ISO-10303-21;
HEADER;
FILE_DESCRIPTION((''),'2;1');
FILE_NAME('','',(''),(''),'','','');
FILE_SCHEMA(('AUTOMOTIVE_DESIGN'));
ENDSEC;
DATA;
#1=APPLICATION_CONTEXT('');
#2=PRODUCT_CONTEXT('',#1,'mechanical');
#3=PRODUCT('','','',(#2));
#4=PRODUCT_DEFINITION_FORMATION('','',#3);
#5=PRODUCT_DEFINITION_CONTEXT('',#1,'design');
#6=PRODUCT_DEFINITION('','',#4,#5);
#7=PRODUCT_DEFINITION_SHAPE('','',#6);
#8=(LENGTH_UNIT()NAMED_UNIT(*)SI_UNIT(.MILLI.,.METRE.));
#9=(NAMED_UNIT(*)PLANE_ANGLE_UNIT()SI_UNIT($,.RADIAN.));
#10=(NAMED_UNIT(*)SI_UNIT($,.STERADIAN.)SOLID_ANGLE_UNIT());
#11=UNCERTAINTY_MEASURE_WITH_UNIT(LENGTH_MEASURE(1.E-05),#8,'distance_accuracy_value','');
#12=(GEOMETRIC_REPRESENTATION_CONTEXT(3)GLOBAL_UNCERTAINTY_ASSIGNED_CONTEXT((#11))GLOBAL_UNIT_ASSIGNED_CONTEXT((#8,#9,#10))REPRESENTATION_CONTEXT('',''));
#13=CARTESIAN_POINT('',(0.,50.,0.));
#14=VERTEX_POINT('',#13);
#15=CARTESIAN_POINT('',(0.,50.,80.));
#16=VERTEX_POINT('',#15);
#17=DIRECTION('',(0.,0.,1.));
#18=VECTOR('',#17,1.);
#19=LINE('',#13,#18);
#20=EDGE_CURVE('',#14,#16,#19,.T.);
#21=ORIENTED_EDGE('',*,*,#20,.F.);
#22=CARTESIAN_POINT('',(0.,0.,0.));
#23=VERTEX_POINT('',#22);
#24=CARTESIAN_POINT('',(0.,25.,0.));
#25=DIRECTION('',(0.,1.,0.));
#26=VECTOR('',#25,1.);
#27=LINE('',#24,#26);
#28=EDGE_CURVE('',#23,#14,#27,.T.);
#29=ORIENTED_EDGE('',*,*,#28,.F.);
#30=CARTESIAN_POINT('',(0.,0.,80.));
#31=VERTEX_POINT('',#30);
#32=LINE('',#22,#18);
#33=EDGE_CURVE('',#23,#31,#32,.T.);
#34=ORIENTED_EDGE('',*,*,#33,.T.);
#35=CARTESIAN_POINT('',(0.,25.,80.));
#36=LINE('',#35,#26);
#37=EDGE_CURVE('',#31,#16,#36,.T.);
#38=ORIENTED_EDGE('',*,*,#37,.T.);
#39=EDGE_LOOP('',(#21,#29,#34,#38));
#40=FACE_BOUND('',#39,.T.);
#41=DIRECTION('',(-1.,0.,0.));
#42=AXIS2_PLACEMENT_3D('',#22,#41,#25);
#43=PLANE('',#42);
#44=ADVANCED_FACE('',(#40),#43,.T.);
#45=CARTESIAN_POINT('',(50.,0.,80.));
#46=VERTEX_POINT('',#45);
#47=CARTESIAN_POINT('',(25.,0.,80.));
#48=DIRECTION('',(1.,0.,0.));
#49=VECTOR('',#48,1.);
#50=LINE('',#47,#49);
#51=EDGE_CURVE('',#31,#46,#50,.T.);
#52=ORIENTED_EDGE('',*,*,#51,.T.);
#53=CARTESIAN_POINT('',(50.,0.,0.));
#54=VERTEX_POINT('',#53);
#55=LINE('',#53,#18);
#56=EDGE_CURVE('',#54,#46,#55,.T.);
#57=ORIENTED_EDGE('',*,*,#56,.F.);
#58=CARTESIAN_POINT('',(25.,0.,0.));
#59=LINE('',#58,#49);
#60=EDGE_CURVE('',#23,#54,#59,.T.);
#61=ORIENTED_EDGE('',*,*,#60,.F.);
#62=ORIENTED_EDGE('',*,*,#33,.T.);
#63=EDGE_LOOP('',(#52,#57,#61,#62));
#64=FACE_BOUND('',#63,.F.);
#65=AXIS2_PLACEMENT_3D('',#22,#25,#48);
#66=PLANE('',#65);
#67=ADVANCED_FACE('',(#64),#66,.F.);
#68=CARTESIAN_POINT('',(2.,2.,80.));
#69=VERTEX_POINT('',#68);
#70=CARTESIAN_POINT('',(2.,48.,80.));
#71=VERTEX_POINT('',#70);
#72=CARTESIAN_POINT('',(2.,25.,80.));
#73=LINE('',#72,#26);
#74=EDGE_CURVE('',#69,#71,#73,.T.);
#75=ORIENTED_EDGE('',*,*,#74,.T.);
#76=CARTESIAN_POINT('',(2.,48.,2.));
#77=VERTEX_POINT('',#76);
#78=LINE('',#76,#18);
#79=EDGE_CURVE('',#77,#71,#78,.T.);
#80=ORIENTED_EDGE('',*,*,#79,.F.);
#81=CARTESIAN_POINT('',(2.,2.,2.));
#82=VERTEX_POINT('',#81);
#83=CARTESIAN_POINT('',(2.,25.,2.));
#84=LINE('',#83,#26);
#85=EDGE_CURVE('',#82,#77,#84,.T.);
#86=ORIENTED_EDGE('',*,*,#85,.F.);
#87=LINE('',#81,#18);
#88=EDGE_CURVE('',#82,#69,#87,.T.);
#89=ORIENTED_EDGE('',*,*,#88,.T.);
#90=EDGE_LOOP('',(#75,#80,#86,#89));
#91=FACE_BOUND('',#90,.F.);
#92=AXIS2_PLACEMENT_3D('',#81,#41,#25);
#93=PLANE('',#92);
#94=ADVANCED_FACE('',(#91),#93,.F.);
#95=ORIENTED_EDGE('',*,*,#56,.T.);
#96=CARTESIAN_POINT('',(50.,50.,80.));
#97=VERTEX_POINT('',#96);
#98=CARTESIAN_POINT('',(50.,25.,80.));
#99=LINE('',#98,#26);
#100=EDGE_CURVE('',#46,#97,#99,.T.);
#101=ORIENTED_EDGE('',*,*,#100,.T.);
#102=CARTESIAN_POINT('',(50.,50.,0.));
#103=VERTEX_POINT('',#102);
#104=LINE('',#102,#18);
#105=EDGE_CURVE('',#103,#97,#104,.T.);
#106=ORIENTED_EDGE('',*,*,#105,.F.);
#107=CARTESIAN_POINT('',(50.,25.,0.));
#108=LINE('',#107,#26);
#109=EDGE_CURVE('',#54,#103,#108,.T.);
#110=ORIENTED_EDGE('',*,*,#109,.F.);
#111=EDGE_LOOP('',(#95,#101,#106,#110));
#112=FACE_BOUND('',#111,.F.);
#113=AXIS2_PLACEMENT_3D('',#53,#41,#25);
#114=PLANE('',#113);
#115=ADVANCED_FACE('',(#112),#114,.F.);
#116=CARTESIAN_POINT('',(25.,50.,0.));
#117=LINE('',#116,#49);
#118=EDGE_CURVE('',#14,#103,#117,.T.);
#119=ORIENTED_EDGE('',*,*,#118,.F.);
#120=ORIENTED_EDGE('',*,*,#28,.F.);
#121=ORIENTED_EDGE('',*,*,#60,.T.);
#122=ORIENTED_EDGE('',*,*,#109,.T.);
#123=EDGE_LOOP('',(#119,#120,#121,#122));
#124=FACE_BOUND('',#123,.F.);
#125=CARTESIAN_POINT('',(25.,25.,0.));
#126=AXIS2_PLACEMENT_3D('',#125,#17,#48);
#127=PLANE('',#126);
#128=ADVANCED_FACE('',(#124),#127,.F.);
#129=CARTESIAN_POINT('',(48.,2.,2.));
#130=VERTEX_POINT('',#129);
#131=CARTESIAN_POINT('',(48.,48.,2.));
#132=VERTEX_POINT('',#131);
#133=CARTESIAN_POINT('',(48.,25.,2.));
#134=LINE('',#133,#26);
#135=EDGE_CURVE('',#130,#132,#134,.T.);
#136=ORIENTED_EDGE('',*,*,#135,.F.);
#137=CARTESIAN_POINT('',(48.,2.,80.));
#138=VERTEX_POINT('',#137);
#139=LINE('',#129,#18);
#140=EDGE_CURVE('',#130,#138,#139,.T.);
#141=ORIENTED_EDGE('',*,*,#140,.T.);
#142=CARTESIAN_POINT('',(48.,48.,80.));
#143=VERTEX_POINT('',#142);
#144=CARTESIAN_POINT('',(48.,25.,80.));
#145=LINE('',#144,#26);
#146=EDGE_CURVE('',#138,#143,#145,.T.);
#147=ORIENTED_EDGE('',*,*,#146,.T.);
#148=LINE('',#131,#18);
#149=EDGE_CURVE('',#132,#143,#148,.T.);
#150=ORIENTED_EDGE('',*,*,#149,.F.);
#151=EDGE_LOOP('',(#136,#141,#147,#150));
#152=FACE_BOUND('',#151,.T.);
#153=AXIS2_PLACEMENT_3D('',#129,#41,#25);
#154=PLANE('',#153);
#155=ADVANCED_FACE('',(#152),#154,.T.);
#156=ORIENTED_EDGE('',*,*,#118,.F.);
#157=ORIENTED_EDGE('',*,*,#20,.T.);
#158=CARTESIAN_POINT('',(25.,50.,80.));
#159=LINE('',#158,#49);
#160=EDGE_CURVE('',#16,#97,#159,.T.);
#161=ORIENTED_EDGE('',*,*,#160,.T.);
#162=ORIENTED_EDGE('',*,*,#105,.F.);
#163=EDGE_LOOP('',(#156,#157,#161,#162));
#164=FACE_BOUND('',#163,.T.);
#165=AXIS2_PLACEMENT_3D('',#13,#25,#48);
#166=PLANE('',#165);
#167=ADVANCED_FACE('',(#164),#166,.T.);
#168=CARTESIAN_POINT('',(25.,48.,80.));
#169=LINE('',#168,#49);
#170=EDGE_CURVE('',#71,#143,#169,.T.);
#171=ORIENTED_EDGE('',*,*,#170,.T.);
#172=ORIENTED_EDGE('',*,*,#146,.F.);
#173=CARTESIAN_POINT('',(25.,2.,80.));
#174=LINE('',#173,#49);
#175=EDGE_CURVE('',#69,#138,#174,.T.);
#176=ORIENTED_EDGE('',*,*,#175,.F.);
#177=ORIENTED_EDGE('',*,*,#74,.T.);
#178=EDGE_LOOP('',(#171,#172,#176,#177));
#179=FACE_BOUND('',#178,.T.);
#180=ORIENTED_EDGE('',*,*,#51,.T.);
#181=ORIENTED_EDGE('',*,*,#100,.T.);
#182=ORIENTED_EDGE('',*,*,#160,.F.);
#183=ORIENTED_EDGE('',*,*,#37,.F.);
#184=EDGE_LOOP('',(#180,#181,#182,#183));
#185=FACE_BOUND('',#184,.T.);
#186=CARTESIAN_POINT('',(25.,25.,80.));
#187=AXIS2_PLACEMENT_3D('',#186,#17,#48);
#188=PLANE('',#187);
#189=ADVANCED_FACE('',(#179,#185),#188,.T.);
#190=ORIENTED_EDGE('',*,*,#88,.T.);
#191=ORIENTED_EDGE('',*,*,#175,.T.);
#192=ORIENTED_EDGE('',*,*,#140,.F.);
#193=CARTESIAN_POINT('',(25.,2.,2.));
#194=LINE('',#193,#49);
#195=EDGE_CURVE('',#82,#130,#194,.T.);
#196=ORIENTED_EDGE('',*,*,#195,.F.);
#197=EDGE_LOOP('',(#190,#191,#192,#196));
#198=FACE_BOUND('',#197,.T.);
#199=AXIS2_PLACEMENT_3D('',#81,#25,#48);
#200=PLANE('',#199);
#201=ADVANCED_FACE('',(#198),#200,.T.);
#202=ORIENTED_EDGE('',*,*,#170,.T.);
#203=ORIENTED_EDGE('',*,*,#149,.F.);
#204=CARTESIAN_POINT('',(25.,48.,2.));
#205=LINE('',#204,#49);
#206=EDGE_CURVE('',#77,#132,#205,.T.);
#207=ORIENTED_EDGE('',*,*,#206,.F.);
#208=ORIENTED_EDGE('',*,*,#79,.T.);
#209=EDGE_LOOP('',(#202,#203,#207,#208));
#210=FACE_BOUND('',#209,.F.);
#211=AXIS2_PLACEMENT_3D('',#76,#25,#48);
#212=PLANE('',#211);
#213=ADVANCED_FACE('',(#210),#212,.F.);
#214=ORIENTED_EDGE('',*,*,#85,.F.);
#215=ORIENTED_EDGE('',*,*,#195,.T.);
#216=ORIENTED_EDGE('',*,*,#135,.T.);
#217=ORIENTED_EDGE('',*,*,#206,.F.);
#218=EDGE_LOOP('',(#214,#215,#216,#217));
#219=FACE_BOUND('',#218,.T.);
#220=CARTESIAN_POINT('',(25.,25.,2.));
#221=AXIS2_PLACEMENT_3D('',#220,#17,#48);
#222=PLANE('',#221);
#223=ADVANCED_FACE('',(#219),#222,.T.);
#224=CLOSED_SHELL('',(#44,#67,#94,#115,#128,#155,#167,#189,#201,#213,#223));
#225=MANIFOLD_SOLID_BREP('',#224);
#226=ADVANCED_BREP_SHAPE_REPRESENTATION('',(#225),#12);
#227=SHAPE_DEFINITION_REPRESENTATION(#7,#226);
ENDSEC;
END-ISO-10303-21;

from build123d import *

# Parameters (mm, degrees)
BOX001_W     = 46
BOX001_H     = 46
BOX001_DEPTH = 78
BOX_W        = 50
BOX_H        = 50
BOX_DEPTH    = 80


with BuildPart() as cub001:
    # Box001 → Box001 (new body)
    with BuildSketch(Plane(origin=(2, 2, 2), x_dir=(1, 0, 0), z_dir=(0, 0, 1))):
        with Locations((23, 23)):
            Rectangle(BOX001_W, BOX001_H)
    extrude(amount=BOX001_DEPTH)


with BuildPart() as cut:
    # Box → Box (new body)
    with BuildSketch(Plane.XY):
        with Locations((25, 25)):
            Rectangle(BOX_W, BOX_H)
    extrude(amount=BOX_DEPTH)

    # Cut: cut Cub001
    add(cub001.part, mode=Mode.SUBTRACT)


solid = cut.part
